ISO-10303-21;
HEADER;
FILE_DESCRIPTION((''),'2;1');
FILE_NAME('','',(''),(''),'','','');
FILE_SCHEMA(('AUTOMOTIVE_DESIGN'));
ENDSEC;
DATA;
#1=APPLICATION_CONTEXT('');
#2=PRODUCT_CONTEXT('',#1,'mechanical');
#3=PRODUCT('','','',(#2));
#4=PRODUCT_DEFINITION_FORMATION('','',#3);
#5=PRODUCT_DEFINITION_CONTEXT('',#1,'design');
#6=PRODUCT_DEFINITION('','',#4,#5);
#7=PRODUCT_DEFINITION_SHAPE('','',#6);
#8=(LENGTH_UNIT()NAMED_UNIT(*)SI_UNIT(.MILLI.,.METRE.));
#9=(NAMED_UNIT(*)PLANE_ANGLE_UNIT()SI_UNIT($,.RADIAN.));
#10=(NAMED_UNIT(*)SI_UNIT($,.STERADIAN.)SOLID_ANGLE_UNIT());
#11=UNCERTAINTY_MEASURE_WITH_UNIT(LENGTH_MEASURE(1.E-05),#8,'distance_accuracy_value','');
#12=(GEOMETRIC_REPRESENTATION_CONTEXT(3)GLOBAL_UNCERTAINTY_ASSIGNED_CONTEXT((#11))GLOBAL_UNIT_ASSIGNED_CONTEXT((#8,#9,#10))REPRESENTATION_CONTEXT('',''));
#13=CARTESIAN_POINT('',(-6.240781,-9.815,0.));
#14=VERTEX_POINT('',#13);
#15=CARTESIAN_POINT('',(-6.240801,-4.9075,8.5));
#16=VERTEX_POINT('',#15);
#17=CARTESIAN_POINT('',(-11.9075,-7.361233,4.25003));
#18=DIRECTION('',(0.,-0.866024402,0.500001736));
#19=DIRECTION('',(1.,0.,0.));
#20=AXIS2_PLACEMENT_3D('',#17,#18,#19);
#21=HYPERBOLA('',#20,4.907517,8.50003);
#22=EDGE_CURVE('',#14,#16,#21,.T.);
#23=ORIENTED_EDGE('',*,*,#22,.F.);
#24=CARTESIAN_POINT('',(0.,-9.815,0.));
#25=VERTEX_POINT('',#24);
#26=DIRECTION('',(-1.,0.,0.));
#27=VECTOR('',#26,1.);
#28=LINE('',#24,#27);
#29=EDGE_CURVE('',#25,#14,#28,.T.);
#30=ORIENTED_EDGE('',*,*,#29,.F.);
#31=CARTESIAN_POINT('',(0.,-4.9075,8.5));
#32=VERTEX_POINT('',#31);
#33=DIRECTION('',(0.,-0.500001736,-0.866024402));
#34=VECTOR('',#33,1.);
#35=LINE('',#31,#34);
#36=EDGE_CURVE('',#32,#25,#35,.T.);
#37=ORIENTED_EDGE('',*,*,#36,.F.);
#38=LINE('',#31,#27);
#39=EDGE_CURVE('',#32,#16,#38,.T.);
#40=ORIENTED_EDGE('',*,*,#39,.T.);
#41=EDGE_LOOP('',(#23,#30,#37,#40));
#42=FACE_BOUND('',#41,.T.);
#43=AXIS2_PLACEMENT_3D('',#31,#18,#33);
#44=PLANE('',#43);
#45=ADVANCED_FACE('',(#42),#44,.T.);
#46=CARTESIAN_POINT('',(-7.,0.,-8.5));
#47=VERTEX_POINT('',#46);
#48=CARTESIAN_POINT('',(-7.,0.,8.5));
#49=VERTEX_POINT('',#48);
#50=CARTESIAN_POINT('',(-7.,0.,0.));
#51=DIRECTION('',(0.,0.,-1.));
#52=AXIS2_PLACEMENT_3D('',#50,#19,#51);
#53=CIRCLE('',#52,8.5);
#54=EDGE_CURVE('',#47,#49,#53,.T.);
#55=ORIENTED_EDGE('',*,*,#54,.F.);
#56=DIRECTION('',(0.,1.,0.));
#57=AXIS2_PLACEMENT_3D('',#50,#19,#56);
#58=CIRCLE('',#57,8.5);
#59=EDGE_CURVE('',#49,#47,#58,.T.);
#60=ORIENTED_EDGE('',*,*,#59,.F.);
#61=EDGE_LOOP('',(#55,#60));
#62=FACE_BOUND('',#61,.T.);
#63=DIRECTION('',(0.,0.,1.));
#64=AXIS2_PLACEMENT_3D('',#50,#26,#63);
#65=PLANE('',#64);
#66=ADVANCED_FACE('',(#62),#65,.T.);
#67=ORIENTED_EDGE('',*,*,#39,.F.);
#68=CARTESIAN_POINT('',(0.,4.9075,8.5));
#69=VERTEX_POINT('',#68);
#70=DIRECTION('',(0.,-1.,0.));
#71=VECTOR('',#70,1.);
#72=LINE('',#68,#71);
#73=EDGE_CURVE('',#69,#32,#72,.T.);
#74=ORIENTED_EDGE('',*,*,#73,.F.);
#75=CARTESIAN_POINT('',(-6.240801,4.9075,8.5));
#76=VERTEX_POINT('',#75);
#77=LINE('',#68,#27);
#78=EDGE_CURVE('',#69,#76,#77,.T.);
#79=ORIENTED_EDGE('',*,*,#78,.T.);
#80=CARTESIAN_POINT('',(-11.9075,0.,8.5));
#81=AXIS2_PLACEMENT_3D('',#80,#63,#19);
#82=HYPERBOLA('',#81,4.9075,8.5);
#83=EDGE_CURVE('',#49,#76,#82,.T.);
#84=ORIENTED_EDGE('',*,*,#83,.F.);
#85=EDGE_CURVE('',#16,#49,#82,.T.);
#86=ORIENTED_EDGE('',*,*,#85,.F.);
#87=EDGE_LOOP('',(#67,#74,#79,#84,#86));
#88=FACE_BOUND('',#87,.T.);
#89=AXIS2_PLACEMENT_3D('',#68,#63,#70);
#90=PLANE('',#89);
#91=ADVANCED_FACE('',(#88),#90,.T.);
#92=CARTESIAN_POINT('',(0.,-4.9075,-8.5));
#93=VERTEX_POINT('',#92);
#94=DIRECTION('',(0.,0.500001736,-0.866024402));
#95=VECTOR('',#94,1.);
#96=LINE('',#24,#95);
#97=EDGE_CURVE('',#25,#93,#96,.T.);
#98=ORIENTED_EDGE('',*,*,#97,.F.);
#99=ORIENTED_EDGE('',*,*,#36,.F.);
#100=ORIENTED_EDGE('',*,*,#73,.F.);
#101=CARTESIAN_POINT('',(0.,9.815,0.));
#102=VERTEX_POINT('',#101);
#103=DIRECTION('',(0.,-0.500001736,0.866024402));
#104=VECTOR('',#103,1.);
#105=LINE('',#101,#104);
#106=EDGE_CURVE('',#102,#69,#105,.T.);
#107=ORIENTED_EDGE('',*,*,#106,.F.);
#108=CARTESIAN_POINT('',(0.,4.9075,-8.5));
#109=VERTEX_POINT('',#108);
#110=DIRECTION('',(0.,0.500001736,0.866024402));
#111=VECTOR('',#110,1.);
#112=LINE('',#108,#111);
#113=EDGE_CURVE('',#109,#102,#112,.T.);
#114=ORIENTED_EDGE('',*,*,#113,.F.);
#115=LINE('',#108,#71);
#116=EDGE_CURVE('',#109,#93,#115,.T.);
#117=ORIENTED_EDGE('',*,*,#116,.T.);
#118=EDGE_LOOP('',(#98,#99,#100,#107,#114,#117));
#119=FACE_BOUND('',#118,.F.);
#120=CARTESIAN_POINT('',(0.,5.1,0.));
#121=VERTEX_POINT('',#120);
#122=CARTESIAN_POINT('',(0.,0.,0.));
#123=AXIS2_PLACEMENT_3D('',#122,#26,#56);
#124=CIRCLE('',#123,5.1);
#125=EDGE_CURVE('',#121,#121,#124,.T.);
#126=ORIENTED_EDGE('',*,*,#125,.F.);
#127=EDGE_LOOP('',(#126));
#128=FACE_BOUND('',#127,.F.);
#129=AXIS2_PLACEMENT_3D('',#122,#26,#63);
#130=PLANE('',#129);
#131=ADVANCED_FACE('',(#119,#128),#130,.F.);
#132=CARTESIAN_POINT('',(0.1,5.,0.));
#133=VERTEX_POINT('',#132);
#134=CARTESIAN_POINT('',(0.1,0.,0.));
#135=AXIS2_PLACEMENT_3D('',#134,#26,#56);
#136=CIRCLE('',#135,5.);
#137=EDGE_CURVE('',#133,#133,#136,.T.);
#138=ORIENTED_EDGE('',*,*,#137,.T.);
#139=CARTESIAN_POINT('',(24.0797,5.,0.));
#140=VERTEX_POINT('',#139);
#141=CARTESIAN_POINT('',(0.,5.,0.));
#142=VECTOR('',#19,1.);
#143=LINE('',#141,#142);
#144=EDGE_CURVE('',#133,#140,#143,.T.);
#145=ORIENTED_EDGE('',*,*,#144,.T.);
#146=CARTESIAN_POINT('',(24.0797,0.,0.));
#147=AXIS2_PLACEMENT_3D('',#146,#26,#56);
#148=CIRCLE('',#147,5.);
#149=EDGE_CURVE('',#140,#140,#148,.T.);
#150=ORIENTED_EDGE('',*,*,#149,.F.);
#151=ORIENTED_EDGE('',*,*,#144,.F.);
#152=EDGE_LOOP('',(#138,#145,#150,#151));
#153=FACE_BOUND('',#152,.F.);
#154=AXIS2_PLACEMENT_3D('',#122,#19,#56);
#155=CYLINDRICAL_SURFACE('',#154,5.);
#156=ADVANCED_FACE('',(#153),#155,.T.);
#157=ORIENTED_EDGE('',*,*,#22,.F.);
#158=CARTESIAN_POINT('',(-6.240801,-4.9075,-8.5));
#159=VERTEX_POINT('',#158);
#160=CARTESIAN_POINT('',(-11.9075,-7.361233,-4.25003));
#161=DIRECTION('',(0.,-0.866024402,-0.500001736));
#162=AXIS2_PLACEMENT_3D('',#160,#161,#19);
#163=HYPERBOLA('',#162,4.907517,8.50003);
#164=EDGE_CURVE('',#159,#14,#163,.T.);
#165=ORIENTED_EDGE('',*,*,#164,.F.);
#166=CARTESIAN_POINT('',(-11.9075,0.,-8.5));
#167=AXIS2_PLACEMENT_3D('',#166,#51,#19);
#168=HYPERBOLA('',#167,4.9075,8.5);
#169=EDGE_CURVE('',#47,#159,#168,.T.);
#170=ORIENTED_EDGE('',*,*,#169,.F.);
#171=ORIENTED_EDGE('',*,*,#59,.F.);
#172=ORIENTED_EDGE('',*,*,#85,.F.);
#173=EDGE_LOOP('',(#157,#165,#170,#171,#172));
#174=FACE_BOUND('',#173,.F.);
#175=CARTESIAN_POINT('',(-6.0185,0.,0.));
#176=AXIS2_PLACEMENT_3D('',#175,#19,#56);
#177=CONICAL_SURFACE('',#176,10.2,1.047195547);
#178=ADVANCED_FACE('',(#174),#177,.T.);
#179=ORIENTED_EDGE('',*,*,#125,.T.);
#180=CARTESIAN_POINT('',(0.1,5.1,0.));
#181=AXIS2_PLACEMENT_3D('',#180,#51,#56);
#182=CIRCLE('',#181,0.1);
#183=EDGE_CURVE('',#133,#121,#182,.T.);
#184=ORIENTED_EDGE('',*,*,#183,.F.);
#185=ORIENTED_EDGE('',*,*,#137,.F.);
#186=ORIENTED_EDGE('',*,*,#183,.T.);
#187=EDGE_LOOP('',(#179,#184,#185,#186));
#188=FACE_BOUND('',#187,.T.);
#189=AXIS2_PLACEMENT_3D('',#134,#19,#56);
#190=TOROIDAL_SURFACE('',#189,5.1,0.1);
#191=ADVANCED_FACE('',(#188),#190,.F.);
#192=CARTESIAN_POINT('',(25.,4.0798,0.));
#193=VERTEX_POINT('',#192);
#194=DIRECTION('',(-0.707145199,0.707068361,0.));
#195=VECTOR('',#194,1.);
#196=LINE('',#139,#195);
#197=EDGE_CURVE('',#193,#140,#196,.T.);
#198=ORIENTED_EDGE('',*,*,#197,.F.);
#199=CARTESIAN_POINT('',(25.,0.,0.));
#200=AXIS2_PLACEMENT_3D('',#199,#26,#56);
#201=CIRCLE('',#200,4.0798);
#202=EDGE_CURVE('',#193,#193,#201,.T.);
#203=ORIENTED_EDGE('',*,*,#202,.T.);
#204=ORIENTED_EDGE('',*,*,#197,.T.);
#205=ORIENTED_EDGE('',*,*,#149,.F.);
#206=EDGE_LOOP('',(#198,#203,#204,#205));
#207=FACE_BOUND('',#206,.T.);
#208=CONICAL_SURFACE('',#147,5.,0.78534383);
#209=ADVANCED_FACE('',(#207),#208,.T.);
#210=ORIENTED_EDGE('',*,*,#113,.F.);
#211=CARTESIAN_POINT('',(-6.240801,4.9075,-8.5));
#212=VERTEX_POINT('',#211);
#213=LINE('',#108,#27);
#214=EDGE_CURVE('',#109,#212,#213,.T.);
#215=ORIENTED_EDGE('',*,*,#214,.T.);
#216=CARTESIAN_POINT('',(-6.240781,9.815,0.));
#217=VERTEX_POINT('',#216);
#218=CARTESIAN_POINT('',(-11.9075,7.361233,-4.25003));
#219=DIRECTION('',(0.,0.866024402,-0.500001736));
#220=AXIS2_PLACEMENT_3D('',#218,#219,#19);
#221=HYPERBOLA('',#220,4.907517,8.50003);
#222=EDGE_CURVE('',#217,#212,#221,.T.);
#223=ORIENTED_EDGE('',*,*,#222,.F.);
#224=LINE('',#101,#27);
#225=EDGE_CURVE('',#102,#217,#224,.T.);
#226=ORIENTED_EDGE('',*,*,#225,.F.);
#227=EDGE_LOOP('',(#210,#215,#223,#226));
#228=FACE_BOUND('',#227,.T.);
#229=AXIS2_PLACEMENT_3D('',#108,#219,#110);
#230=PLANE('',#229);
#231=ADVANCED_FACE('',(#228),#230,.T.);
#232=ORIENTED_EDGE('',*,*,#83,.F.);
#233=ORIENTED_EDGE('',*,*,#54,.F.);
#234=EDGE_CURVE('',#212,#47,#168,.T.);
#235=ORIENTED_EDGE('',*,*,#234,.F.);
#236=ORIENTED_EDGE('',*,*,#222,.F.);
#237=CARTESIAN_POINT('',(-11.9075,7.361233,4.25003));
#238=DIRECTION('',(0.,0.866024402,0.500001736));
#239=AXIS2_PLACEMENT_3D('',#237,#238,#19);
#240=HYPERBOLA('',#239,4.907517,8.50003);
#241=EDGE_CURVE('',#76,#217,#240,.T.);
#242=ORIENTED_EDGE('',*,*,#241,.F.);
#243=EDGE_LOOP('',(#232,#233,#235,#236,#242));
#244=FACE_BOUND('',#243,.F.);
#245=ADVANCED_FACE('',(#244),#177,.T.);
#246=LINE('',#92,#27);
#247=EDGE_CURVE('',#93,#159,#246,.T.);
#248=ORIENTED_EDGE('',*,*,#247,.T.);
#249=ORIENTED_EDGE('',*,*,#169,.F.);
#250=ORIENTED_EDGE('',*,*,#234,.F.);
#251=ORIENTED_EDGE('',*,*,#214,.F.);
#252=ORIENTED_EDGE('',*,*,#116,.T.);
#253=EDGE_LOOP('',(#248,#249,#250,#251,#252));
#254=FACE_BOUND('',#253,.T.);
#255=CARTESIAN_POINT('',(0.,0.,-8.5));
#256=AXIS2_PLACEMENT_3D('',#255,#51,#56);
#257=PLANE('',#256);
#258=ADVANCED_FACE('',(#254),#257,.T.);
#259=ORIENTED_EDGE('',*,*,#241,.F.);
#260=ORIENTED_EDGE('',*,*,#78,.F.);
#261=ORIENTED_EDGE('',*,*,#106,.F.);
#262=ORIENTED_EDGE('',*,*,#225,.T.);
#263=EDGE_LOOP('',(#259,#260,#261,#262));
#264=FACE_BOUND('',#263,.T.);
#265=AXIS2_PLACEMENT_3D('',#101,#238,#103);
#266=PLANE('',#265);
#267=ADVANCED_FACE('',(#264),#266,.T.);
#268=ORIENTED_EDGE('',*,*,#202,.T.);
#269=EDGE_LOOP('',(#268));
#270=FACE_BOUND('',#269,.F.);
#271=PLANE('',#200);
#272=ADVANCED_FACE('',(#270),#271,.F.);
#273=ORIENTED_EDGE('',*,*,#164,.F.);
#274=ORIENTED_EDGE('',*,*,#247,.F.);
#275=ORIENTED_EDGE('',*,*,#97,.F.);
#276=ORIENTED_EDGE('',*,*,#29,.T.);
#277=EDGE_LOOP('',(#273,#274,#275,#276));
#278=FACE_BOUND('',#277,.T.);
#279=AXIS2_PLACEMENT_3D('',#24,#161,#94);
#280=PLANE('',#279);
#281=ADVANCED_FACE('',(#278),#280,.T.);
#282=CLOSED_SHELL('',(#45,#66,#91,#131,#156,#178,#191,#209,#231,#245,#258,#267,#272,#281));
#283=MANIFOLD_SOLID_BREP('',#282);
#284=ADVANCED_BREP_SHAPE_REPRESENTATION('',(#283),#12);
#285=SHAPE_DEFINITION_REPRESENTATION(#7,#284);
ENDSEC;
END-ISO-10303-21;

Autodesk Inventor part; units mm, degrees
ref_plane "YZ Plane" through (0, 0, 0) normal (1, 0, 0) x (0, 1, 0)
ref_plane "XZ Plane" through (0, 0, 0) normal (0, 1, 0) x (-1, 0, 0)
sketch "Эскиз1" plane through (0, 0, 0) normal (0, 0, 1) x (1, 0, 0)
  line L0 (0, 5) -> (25, 5)
  line L1 (25, 5) -> (25, 0)
  line L2 (25, 0) -> (0, 0)
  line L3 (-5, 0) -> (30, 0) projected
  line L4 (0, -1) -> (0, 6) projected
  line L5 (0, 5) -> (0, 0)
  dimension "d2" = 10
  dimension "d59" = 25
revolve "Базовый элемент" add sketch "Эскиз1" angle 360 about axis through (25, 0, 0) along (-1, 0, 0)
sketch "Эскиз2" plane through (0, 0, 0) normal (-1, 0, 0) x (0, 0, 1)
  line L0 (0, 9.815) -> (8.5, 4.9075)
  line L1 (8.5, 4.9075) -> (8.5, -4.9075)
  line L2 (8.5, -4.9075) -> (0, -9.815)
  line L3 (0, -9.815) -> (-8.5, -4.9075)
  line L4 (-8.5, -4.9075) -> (-8.5, 4.9075)
  line L5 (-8.5, 4.9075) -> (0, 9.815)
  line L6 (-11.9, 0) -> (11.9, 0) projected
  line L7 (0, 13.7409) -> (0, -13.7409) projected
  point P0 (0, 0)
  point P1 (0, 0)
  dimension "d11" = 17
extrude "С головкой" add sketch "Эскиз2" along normal blind 7
sketch "Эскиз4" plane through (0, 0, 0) normal (0, 0, 1) x (1, 0, 0)
  line L0 (-6.0185, 10.2) -> (-7, 8.5)
  line L1 (-1.1, 0) -> (-0.234, 0)
  line L2 (-8.3532, 0) -> (1.1192, 0) projected
  line L3 (-7, 10.2) -> (-6.0185, 10.2)
  line L4 (-7, 8.5) -> (-7, 10.2)
  line L5 (0, 12.24) -> (0, -2.04) projected
  dimension "d65" = 17
  dimension "d67" = 30
  dimension "d68" = 20.4
  dimension "d69" = 7
revolve "Фаска1" cut sketch "Эскиз4" angle 360 about axis through (-1.1, 0, 0) along (1, 0, 0)
thread "Резьба" size "M10x1.5" class "6g" standard "ISO Metric profile" length 23.5
chamfer "Фаска2" distance 0.9202 distance2 0.9203 1 edges at (25, -5, 0) measured on face at (25, 1.974, 0.2121)
fillet "Fillet2" radius 0.1 1 edges at (0, -5, 0)
ref_plane "Work Plane1" through (1.525, 0, 0) normal (0, 0, 1) x (1, 0, 0)
equation "\"d2\" = GD"
equation "\"d59\" = NLG"
equation "\"d11\" = SW"
equation "\"d3\" = KOH"
equation "\"d71\" = RR"
equation "\"d15\" = GEL"
equation "\"d6\" = -0.5 * SPD + 0.5 * GD"
equation "\"d65\" = SW"
equation "\"d67\" = ANG1"
equation "\"d68\" = 1.2 * SW"
equation "\"d69\" = KOH"
equation "\"NLG\" = 25"
equation "\"GD\" = 10"
equation "\"KOH\" = 7"
equation "\"GEL\" = 23.5"
equation "\"SW\" = 17"
equation "\"SW0\" = 15.3"
equation "\"SPD\" = NND - 1.2269 * PTC"
equation "\"SD\" = 0"
equation "\"ANG1\" = 30deg"
equation "\"GAL\" = 0.61345 * PTC"
equation "\"GUL\" = 0.61345 * PTC"
equation "\"RR\" = 0.1"
equation "\"RR1\" = 0.1"
equation "\"GD1\" = THREADDIA - 1.2269 * PTC"
equation "\"TOA\" = 30deg"
equation "\"PTC\" = 1.5"
equation "\"E0\" = 1.155 * SW"
equation "\"NND\" = 10"
equation "\"THREADDIA\" = 10"
properties part number "Болт M10-6gx25 ГОСТ 7805-70" material "Сталь, мягкая"
